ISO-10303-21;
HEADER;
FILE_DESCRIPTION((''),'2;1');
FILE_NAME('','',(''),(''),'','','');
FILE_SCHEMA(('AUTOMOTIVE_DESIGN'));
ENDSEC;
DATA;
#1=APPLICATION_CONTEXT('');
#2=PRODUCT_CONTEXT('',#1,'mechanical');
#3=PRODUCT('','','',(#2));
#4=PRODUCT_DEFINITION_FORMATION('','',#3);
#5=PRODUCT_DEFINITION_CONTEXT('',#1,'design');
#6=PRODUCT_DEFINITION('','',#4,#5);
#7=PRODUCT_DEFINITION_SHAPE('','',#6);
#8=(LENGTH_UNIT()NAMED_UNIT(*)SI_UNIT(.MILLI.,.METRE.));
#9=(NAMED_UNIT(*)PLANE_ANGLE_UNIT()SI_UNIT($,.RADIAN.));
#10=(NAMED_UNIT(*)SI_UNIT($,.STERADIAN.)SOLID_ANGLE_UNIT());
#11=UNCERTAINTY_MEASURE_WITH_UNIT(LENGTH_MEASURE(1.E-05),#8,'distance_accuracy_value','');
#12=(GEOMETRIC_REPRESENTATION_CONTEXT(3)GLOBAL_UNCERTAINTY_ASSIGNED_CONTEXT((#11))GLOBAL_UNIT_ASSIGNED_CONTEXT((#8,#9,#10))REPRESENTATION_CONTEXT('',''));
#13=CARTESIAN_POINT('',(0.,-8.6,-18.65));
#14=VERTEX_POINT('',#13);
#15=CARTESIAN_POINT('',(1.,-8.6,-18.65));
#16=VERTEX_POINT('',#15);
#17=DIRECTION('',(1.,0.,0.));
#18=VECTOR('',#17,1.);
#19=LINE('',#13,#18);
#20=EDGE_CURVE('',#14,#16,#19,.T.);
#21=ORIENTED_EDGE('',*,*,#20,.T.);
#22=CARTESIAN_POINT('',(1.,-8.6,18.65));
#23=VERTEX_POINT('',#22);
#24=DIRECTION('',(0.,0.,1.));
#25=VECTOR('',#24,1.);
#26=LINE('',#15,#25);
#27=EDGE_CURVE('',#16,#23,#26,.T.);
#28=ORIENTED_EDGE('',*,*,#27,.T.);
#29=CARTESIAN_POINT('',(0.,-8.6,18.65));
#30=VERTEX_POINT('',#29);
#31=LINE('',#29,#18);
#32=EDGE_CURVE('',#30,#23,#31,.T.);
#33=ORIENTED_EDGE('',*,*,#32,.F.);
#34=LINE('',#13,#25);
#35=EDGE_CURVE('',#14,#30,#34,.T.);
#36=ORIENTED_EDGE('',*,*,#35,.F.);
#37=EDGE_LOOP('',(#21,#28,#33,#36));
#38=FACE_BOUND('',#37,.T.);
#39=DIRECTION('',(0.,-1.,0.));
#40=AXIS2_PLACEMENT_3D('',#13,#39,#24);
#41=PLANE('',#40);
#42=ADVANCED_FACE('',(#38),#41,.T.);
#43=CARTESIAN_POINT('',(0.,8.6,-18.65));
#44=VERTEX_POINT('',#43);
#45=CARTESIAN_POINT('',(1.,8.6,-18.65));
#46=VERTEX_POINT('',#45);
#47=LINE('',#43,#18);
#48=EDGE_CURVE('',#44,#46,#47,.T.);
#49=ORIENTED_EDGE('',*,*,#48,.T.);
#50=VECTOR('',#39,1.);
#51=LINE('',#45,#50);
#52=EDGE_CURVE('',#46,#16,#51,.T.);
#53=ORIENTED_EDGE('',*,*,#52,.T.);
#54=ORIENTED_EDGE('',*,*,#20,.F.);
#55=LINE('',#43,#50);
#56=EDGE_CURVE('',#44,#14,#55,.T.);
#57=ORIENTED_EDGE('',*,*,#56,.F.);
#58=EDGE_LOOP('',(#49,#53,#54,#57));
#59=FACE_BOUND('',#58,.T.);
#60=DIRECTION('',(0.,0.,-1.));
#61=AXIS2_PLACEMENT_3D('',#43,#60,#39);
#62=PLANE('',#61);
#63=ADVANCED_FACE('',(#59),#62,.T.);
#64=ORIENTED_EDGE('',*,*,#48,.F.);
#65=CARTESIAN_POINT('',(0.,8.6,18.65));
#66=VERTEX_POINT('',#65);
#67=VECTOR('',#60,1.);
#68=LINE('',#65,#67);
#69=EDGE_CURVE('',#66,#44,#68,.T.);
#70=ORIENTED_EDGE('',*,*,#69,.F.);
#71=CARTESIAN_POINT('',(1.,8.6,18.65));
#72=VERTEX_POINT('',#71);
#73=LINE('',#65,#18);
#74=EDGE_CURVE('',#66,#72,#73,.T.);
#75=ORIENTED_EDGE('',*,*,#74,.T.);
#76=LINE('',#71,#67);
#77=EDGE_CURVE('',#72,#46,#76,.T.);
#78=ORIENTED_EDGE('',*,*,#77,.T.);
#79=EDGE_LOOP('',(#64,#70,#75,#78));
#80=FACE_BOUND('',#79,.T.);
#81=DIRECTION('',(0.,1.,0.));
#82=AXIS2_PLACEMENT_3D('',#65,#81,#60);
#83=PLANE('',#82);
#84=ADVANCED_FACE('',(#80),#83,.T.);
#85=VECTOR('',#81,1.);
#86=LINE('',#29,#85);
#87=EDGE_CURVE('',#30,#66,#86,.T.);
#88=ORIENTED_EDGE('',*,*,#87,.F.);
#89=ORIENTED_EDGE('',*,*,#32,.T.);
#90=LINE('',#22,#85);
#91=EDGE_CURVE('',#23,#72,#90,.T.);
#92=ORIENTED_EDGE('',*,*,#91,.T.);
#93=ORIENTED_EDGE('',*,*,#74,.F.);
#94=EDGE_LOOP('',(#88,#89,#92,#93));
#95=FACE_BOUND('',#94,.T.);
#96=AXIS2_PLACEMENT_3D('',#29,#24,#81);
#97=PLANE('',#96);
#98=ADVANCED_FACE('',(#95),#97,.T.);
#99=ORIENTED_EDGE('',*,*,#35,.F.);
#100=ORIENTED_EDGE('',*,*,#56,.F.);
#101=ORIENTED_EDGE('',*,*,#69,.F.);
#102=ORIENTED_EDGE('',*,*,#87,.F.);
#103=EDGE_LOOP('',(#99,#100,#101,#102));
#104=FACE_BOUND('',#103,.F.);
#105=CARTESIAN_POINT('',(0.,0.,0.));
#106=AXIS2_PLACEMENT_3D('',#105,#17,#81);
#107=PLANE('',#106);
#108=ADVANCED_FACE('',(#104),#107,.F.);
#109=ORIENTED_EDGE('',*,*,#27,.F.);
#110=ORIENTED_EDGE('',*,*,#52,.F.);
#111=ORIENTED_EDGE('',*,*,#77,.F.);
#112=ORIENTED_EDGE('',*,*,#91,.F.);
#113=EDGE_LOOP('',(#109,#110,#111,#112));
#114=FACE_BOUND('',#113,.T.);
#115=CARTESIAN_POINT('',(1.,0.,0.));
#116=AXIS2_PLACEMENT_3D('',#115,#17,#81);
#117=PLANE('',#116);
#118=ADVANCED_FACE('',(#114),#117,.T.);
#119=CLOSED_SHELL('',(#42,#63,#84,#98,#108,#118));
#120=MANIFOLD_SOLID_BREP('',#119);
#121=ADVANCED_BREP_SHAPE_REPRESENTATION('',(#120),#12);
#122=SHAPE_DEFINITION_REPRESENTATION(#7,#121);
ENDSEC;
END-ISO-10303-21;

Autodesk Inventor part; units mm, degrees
ref_plane "YZ Plane" through (0, 0, 0) normal (1, 0, 0) x (0, 1, 0)
ref_plane "XZ Plane" through (0, 0, 0) normal (0, 1, 0) x (-1, 0, 0)
ref_plane "XY Plane" through (0, 0, 0) normal (0, 0, 1) x (1, 0, 0)
sketch "Sketch1" plane through (0, 0, 0) normal (1, 0, 0) x (0, 1, 0)
  line L0 (-8.6, 18.65) -> (8.6, 18.65)
  line L1 (8.6, 18.65) -> (8.6, -18.65)
  line L2 (8.6, -18.65) -> (-8.6, -18.65)
  line L3 (-8.6, -18.65) -> (-8.6, 18.65)
  line L4 (-8.6, 18.65) -> (8.6, -18.65) construction
  line L5 (8.6, 18.65) -> (-8.6, -18.65) construction
  point P0 (0, 0)
  dimension "d0" = 17.2
  dimension "d1" = 37.3
extrude "Extrusion1" add sketch "Sketch1" along normal blind 1
properties part number "VoltageCionvertor"
